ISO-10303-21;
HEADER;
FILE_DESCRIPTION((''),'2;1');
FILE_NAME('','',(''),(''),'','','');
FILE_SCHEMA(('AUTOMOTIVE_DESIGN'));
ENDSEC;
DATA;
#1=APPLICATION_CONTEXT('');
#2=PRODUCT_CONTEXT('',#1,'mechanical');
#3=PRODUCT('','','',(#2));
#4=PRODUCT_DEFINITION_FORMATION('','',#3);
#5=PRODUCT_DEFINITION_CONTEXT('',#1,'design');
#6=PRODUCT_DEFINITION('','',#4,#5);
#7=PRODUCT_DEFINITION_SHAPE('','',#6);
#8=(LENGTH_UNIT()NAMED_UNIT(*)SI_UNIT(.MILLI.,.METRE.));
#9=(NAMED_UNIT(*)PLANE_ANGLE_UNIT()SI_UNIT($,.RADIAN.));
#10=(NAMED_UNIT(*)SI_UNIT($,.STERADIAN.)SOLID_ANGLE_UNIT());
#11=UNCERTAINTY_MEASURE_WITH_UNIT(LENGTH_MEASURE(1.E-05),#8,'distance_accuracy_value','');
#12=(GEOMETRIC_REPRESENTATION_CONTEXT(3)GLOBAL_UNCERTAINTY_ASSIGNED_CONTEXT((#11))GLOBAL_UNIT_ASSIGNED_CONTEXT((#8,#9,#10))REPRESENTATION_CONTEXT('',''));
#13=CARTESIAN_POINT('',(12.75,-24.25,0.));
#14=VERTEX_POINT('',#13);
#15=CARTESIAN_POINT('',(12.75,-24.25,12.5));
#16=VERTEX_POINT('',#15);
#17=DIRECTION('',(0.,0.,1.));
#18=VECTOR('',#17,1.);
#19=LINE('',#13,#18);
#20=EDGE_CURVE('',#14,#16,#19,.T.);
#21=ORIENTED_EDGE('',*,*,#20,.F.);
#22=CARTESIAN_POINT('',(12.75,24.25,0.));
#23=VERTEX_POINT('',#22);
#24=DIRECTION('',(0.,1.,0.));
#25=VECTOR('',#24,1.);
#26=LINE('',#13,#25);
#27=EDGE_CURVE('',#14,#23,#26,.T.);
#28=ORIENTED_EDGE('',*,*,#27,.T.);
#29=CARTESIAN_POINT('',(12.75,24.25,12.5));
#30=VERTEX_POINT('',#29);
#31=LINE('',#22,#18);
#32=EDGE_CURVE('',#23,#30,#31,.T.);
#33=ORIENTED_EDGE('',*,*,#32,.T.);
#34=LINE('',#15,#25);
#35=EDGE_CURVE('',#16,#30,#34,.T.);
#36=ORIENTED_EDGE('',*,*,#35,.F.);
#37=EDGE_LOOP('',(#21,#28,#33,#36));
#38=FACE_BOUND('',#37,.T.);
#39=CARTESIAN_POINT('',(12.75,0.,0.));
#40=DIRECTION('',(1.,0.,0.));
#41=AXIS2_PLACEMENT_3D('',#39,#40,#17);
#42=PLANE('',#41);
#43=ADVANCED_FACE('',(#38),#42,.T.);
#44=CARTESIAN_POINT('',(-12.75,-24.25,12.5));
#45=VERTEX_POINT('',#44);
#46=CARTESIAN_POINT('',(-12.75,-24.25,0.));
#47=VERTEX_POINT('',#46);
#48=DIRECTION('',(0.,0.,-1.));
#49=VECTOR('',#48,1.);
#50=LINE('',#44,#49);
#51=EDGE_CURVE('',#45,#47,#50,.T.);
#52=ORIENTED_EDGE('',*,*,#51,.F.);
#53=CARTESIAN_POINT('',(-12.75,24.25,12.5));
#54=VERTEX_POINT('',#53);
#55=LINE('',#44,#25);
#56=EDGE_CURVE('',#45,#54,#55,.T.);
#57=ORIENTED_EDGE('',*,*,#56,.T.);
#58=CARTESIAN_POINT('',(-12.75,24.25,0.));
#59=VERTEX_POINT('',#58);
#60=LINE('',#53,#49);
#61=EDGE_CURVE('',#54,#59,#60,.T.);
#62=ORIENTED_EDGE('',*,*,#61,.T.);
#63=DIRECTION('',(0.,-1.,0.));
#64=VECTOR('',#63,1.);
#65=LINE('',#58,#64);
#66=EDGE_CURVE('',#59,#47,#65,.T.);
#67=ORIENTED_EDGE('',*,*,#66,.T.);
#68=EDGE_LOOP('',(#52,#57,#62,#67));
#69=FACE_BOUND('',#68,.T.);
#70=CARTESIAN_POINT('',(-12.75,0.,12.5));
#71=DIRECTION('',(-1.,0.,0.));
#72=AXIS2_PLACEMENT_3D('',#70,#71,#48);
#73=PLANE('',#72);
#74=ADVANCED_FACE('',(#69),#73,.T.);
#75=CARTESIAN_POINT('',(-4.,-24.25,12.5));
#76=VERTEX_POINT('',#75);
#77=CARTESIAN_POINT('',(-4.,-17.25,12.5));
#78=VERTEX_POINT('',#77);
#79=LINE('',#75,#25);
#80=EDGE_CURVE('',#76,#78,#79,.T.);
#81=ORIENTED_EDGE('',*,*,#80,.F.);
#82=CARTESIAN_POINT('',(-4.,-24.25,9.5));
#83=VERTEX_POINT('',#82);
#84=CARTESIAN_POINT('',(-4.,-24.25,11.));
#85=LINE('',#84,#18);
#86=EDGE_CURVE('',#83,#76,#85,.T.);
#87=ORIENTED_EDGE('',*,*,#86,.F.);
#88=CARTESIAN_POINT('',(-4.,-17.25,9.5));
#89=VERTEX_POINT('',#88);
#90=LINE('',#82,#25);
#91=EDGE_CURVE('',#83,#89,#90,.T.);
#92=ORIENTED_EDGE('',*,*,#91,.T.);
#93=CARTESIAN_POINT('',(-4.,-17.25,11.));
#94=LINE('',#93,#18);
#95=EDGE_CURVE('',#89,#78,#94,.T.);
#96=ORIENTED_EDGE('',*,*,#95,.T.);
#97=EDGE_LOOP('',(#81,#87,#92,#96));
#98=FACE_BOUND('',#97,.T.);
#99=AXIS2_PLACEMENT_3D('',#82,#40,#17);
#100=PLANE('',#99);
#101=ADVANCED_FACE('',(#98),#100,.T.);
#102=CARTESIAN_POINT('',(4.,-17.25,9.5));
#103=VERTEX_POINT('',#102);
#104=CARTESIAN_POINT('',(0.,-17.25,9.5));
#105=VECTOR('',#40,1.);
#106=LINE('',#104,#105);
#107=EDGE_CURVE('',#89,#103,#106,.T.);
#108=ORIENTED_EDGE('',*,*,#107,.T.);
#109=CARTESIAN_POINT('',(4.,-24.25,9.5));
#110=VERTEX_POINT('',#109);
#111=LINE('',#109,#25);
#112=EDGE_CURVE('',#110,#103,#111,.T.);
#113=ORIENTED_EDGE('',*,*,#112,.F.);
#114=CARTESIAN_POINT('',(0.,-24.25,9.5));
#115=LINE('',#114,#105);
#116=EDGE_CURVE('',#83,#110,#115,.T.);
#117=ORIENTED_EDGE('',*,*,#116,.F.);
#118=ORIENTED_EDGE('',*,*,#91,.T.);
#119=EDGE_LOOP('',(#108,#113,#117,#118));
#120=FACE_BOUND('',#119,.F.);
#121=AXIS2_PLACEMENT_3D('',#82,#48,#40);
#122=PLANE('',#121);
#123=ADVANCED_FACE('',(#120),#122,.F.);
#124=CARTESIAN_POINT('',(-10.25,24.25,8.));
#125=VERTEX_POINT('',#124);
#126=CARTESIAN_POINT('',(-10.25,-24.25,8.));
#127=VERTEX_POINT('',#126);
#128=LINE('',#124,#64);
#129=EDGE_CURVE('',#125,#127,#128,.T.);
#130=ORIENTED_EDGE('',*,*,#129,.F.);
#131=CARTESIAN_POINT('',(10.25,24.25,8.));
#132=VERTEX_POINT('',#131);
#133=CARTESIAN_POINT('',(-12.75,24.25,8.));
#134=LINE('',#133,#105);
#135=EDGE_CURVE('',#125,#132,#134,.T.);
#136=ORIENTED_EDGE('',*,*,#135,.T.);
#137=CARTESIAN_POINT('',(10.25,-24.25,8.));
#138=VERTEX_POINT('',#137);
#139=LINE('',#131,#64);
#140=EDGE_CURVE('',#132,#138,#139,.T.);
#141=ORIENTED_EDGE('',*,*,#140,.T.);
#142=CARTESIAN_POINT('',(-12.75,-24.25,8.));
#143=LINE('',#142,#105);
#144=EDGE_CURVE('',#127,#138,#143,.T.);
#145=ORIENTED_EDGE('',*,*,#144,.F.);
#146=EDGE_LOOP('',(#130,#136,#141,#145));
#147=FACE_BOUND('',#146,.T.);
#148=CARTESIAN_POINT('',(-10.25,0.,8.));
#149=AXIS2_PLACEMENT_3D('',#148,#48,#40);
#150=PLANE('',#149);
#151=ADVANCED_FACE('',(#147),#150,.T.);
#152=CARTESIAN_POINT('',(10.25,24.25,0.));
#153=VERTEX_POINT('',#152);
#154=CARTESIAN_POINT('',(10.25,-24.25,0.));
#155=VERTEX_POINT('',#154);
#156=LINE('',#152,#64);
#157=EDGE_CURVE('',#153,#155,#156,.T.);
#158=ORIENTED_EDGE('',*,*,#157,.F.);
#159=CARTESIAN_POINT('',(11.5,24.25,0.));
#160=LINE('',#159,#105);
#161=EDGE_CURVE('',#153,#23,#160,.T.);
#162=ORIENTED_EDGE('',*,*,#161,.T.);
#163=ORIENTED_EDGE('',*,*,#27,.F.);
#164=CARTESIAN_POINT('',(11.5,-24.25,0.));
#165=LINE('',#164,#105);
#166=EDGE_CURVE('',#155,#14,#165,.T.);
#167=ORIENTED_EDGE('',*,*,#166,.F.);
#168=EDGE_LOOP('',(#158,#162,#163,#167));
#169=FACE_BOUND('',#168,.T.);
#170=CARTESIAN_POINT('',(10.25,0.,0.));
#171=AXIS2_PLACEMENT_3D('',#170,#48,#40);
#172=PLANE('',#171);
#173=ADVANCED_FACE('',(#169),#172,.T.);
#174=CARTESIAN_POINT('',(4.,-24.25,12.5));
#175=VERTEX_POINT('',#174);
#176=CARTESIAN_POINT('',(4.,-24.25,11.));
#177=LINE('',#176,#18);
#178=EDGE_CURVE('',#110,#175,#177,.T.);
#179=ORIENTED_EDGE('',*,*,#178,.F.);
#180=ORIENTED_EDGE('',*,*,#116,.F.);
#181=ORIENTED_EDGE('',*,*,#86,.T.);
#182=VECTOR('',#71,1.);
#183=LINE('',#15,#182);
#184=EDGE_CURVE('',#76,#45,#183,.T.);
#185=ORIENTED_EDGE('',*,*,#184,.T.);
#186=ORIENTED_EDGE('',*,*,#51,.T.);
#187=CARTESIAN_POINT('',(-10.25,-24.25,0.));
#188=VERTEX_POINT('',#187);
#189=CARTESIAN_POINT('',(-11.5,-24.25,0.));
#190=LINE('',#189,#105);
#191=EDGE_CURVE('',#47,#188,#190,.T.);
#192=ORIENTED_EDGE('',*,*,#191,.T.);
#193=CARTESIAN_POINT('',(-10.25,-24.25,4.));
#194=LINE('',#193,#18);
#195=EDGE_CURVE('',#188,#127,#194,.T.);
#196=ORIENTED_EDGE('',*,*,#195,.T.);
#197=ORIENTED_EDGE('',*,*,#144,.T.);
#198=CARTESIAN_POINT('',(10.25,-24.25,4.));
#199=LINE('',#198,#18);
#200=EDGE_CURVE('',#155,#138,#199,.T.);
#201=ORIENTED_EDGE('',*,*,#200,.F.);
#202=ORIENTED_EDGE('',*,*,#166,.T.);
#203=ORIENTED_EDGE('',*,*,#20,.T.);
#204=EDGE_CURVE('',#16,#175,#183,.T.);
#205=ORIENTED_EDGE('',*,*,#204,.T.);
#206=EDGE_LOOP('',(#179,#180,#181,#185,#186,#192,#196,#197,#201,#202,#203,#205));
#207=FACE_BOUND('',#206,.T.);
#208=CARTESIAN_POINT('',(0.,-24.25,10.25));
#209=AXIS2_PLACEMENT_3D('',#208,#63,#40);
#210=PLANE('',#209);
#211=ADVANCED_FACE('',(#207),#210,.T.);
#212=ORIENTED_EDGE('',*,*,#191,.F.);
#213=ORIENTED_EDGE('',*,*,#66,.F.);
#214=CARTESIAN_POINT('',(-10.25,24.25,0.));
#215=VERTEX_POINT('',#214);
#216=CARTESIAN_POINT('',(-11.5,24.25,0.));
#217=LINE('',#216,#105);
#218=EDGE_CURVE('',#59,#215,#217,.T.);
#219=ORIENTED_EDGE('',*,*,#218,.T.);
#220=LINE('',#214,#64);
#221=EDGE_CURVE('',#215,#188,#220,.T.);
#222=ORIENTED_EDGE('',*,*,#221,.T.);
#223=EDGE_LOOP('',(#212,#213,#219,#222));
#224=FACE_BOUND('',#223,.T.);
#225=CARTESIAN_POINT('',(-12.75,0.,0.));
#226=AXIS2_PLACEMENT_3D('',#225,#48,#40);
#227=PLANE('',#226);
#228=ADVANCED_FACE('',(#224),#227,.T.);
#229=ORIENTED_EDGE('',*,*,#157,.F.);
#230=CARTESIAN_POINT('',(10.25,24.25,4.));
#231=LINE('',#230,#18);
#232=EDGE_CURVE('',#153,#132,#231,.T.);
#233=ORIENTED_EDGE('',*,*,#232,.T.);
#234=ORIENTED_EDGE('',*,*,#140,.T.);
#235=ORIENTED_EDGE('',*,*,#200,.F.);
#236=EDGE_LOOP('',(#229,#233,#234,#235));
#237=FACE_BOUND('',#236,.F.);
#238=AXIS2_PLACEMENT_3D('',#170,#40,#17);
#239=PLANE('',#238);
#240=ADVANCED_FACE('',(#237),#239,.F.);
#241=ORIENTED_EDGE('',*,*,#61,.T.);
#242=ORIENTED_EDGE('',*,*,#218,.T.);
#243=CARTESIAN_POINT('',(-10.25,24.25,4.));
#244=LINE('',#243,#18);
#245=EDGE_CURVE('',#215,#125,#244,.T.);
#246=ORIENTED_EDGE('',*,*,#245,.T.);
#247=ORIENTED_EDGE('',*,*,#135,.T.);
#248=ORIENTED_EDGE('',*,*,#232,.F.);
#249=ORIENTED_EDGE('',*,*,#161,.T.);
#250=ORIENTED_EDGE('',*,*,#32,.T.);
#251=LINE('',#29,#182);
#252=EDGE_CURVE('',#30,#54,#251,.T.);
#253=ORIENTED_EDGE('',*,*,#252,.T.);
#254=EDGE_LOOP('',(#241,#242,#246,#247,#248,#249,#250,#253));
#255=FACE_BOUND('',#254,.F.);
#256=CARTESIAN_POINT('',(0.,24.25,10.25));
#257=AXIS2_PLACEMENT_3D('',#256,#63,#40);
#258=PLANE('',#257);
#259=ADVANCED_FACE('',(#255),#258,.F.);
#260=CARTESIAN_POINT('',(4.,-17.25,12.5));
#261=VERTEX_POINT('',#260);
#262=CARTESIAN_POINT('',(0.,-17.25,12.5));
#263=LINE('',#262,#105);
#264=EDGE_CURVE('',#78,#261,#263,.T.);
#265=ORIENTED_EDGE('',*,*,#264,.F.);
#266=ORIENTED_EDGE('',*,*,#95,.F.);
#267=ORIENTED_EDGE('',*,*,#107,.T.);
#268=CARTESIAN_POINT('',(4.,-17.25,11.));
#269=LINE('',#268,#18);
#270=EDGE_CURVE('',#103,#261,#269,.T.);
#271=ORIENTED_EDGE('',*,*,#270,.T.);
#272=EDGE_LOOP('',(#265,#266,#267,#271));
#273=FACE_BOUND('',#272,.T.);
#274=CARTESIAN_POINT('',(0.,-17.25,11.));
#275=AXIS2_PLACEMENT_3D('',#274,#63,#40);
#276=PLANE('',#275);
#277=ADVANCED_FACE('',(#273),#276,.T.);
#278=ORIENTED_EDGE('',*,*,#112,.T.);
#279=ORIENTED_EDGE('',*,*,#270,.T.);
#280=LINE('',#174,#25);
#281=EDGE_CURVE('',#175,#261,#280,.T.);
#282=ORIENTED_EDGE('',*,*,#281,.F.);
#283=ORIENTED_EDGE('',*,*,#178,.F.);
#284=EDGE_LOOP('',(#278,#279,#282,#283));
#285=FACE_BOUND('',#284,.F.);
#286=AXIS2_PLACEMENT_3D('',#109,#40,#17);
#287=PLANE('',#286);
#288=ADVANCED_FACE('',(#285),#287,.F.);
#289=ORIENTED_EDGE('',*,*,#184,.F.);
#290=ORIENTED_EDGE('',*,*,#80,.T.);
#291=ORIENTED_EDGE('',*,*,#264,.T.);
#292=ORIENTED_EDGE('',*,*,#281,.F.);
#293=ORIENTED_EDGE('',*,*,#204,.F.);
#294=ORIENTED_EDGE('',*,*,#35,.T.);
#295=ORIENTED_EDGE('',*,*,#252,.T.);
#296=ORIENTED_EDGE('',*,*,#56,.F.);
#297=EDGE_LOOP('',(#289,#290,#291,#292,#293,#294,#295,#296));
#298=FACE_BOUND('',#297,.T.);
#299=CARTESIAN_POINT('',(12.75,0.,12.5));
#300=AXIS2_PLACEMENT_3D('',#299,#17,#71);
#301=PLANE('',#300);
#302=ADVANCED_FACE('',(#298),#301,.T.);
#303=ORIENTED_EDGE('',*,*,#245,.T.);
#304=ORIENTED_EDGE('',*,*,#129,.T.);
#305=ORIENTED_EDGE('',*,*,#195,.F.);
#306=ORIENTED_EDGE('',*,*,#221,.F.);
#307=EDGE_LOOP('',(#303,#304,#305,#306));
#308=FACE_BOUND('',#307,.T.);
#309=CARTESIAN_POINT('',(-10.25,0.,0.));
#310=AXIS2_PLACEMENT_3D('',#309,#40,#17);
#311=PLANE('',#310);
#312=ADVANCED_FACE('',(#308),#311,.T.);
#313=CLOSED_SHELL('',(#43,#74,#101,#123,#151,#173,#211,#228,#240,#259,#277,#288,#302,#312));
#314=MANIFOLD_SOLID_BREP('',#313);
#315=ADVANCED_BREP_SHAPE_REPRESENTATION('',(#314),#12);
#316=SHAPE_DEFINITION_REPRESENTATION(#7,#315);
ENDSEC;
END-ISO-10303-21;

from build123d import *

# Parameters (mm, degrees)
F0_W     = 2.5
F0_H     = 8
F1_DEPTH = 24.25
F2_W     = 8
F2_H     = 3
F3_DEPTH = 7


with BuildPart() as f1:
    # F0 (on Front) → F1 (new body, symmetric)
    with BuildSketch(Plane.XZ):
        Polygon((-12.75, 12.5), (-12.75, 8), (-10.25, 8), (10.25, 8), (12.75, 8), (12.75, 12.5), align=None)
        with Locations((-11.5, 4)):
            Rectangle(F0_W, F0_H)
        with Locations((11.5, 4)):
            Rectangle(F0_W, F0_H)
    extrude(amount=F1_DEPTH, both=True)

    # F2 (on face) → F3 (cut)
    with BuildSketch(Plane.XZ.offset(24.25)):
        with Locations((0, 11)):
            Rectangle(F2_W, F2_H)
    extrude(amount=-F3_DEPTH, mode=Mode.SUBTRACT)


solid = f1.part
